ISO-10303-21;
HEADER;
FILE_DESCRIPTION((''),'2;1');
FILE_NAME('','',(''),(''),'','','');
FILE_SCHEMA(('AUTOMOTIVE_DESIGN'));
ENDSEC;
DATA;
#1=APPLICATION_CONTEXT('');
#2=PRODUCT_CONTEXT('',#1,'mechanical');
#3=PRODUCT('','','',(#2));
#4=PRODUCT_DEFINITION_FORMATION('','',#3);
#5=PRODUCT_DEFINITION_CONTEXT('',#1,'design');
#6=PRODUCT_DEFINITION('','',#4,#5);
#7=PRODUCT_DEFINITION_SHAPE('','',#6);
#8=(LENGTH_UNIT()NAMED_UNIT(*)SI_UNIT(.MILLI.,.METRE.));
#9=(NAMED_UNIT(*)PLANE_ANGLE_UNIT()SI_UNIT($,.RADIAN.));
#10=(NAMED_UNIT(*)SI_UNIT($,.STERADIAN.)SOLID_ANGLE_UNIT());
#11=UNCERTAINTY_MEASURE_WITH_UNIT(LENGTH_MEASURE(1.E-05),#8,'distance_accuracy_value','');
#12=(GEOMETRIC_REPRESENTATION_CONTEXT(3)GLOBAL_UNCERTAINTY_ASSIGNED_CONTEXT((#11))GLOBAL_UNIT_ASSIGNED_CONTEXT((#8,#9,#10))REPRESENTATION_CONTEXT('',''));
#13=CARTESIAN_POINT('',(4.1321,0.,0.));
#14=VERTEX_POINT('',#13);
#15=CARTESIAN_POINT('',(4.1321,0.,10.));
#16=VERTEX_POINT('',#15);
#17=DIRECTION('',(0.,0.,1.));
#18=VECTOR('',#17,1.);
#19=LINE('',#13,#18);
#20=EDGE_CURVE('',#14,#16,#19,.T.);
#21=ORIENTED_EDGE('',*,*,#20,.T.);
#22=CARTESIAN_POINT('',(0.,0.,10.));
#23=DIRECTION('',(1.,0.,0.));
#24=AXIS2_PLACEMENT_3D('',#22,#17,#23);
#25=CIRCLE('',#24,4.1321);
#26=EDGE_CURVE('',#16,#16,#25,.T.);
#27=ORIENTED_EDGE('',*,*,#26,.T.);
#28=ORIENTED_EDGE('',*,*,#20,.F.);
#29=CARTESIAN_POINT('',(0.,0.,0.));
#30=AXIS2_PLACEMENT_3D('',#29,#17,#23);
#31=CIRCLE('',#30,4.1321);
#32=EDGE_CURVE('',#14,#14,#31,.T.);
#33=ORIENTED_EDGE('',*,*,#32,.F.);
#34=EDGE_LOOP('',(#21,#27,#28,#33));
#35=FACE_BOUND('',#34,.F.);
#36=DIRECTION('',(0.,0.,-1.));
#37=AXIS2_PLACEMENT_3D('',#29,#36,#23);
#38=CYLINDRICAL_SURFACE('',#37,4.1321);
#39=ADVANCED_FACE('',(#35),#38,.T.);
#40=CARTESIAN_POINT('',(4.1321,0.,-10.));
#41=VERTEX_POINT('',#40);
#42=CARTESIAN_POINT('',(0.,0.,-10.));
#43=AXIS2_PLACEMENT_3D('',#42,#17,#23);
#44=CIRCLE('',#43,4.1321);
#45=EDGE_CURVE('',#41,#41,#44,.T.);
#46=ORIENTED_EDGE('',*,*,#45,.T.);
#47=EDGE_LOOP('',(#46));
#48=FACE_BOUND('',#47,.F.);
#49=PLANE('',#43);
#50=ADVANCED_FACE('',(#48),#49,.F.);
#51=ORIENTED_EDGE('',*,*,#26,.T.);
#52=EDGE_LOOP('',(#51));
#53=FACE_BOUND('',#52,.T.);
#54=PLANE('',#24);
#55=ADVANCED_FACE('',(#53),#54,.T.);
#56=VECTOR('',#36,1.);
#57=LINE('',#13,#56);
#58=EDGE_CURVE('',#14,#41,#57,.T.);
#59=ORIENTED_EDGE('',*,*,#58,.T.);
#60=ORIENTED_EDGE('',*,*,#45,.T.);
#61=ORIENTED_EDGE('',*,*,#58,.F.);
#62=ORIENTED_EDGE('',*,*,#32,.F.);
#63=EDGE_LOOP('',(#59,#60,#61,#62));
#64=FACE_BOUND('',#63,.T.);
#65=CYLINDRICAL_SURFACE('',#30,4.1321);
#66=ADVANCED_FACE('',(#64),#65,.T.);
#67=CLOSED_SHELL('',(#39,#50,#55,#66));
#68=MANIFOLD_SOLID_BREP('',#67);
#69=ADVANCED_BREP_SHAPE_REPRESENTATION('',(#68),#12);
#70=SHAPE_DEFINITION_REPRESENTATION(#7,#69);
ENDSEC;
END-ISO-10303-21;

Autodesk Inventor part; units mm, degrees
ref_plane "YZ Plane" through (0, 0, 0) normal (1, 0, 0) x (0, 1, 0)
ref_plane "XZ Plane" through (0, 0, 0) normal (0, 1, 0) x (-1, 0, 0)
ref_plane "XY Plane" through (0, 0, 0) normal (0, 0, 1) x (1, 0, 0)
sketch "Sketch1" plane through (0, 0, 0) normal (0, 0, 1) x (1, 0, 0)
  circle A0 centre (0, 0) radius 4.1321
  dimension "Diameter" = 8.2642
extrude "Extrusion1" add sketch "Sketch1" along normal mid plane 20
properties part number "Mold Design Stop Pin"
